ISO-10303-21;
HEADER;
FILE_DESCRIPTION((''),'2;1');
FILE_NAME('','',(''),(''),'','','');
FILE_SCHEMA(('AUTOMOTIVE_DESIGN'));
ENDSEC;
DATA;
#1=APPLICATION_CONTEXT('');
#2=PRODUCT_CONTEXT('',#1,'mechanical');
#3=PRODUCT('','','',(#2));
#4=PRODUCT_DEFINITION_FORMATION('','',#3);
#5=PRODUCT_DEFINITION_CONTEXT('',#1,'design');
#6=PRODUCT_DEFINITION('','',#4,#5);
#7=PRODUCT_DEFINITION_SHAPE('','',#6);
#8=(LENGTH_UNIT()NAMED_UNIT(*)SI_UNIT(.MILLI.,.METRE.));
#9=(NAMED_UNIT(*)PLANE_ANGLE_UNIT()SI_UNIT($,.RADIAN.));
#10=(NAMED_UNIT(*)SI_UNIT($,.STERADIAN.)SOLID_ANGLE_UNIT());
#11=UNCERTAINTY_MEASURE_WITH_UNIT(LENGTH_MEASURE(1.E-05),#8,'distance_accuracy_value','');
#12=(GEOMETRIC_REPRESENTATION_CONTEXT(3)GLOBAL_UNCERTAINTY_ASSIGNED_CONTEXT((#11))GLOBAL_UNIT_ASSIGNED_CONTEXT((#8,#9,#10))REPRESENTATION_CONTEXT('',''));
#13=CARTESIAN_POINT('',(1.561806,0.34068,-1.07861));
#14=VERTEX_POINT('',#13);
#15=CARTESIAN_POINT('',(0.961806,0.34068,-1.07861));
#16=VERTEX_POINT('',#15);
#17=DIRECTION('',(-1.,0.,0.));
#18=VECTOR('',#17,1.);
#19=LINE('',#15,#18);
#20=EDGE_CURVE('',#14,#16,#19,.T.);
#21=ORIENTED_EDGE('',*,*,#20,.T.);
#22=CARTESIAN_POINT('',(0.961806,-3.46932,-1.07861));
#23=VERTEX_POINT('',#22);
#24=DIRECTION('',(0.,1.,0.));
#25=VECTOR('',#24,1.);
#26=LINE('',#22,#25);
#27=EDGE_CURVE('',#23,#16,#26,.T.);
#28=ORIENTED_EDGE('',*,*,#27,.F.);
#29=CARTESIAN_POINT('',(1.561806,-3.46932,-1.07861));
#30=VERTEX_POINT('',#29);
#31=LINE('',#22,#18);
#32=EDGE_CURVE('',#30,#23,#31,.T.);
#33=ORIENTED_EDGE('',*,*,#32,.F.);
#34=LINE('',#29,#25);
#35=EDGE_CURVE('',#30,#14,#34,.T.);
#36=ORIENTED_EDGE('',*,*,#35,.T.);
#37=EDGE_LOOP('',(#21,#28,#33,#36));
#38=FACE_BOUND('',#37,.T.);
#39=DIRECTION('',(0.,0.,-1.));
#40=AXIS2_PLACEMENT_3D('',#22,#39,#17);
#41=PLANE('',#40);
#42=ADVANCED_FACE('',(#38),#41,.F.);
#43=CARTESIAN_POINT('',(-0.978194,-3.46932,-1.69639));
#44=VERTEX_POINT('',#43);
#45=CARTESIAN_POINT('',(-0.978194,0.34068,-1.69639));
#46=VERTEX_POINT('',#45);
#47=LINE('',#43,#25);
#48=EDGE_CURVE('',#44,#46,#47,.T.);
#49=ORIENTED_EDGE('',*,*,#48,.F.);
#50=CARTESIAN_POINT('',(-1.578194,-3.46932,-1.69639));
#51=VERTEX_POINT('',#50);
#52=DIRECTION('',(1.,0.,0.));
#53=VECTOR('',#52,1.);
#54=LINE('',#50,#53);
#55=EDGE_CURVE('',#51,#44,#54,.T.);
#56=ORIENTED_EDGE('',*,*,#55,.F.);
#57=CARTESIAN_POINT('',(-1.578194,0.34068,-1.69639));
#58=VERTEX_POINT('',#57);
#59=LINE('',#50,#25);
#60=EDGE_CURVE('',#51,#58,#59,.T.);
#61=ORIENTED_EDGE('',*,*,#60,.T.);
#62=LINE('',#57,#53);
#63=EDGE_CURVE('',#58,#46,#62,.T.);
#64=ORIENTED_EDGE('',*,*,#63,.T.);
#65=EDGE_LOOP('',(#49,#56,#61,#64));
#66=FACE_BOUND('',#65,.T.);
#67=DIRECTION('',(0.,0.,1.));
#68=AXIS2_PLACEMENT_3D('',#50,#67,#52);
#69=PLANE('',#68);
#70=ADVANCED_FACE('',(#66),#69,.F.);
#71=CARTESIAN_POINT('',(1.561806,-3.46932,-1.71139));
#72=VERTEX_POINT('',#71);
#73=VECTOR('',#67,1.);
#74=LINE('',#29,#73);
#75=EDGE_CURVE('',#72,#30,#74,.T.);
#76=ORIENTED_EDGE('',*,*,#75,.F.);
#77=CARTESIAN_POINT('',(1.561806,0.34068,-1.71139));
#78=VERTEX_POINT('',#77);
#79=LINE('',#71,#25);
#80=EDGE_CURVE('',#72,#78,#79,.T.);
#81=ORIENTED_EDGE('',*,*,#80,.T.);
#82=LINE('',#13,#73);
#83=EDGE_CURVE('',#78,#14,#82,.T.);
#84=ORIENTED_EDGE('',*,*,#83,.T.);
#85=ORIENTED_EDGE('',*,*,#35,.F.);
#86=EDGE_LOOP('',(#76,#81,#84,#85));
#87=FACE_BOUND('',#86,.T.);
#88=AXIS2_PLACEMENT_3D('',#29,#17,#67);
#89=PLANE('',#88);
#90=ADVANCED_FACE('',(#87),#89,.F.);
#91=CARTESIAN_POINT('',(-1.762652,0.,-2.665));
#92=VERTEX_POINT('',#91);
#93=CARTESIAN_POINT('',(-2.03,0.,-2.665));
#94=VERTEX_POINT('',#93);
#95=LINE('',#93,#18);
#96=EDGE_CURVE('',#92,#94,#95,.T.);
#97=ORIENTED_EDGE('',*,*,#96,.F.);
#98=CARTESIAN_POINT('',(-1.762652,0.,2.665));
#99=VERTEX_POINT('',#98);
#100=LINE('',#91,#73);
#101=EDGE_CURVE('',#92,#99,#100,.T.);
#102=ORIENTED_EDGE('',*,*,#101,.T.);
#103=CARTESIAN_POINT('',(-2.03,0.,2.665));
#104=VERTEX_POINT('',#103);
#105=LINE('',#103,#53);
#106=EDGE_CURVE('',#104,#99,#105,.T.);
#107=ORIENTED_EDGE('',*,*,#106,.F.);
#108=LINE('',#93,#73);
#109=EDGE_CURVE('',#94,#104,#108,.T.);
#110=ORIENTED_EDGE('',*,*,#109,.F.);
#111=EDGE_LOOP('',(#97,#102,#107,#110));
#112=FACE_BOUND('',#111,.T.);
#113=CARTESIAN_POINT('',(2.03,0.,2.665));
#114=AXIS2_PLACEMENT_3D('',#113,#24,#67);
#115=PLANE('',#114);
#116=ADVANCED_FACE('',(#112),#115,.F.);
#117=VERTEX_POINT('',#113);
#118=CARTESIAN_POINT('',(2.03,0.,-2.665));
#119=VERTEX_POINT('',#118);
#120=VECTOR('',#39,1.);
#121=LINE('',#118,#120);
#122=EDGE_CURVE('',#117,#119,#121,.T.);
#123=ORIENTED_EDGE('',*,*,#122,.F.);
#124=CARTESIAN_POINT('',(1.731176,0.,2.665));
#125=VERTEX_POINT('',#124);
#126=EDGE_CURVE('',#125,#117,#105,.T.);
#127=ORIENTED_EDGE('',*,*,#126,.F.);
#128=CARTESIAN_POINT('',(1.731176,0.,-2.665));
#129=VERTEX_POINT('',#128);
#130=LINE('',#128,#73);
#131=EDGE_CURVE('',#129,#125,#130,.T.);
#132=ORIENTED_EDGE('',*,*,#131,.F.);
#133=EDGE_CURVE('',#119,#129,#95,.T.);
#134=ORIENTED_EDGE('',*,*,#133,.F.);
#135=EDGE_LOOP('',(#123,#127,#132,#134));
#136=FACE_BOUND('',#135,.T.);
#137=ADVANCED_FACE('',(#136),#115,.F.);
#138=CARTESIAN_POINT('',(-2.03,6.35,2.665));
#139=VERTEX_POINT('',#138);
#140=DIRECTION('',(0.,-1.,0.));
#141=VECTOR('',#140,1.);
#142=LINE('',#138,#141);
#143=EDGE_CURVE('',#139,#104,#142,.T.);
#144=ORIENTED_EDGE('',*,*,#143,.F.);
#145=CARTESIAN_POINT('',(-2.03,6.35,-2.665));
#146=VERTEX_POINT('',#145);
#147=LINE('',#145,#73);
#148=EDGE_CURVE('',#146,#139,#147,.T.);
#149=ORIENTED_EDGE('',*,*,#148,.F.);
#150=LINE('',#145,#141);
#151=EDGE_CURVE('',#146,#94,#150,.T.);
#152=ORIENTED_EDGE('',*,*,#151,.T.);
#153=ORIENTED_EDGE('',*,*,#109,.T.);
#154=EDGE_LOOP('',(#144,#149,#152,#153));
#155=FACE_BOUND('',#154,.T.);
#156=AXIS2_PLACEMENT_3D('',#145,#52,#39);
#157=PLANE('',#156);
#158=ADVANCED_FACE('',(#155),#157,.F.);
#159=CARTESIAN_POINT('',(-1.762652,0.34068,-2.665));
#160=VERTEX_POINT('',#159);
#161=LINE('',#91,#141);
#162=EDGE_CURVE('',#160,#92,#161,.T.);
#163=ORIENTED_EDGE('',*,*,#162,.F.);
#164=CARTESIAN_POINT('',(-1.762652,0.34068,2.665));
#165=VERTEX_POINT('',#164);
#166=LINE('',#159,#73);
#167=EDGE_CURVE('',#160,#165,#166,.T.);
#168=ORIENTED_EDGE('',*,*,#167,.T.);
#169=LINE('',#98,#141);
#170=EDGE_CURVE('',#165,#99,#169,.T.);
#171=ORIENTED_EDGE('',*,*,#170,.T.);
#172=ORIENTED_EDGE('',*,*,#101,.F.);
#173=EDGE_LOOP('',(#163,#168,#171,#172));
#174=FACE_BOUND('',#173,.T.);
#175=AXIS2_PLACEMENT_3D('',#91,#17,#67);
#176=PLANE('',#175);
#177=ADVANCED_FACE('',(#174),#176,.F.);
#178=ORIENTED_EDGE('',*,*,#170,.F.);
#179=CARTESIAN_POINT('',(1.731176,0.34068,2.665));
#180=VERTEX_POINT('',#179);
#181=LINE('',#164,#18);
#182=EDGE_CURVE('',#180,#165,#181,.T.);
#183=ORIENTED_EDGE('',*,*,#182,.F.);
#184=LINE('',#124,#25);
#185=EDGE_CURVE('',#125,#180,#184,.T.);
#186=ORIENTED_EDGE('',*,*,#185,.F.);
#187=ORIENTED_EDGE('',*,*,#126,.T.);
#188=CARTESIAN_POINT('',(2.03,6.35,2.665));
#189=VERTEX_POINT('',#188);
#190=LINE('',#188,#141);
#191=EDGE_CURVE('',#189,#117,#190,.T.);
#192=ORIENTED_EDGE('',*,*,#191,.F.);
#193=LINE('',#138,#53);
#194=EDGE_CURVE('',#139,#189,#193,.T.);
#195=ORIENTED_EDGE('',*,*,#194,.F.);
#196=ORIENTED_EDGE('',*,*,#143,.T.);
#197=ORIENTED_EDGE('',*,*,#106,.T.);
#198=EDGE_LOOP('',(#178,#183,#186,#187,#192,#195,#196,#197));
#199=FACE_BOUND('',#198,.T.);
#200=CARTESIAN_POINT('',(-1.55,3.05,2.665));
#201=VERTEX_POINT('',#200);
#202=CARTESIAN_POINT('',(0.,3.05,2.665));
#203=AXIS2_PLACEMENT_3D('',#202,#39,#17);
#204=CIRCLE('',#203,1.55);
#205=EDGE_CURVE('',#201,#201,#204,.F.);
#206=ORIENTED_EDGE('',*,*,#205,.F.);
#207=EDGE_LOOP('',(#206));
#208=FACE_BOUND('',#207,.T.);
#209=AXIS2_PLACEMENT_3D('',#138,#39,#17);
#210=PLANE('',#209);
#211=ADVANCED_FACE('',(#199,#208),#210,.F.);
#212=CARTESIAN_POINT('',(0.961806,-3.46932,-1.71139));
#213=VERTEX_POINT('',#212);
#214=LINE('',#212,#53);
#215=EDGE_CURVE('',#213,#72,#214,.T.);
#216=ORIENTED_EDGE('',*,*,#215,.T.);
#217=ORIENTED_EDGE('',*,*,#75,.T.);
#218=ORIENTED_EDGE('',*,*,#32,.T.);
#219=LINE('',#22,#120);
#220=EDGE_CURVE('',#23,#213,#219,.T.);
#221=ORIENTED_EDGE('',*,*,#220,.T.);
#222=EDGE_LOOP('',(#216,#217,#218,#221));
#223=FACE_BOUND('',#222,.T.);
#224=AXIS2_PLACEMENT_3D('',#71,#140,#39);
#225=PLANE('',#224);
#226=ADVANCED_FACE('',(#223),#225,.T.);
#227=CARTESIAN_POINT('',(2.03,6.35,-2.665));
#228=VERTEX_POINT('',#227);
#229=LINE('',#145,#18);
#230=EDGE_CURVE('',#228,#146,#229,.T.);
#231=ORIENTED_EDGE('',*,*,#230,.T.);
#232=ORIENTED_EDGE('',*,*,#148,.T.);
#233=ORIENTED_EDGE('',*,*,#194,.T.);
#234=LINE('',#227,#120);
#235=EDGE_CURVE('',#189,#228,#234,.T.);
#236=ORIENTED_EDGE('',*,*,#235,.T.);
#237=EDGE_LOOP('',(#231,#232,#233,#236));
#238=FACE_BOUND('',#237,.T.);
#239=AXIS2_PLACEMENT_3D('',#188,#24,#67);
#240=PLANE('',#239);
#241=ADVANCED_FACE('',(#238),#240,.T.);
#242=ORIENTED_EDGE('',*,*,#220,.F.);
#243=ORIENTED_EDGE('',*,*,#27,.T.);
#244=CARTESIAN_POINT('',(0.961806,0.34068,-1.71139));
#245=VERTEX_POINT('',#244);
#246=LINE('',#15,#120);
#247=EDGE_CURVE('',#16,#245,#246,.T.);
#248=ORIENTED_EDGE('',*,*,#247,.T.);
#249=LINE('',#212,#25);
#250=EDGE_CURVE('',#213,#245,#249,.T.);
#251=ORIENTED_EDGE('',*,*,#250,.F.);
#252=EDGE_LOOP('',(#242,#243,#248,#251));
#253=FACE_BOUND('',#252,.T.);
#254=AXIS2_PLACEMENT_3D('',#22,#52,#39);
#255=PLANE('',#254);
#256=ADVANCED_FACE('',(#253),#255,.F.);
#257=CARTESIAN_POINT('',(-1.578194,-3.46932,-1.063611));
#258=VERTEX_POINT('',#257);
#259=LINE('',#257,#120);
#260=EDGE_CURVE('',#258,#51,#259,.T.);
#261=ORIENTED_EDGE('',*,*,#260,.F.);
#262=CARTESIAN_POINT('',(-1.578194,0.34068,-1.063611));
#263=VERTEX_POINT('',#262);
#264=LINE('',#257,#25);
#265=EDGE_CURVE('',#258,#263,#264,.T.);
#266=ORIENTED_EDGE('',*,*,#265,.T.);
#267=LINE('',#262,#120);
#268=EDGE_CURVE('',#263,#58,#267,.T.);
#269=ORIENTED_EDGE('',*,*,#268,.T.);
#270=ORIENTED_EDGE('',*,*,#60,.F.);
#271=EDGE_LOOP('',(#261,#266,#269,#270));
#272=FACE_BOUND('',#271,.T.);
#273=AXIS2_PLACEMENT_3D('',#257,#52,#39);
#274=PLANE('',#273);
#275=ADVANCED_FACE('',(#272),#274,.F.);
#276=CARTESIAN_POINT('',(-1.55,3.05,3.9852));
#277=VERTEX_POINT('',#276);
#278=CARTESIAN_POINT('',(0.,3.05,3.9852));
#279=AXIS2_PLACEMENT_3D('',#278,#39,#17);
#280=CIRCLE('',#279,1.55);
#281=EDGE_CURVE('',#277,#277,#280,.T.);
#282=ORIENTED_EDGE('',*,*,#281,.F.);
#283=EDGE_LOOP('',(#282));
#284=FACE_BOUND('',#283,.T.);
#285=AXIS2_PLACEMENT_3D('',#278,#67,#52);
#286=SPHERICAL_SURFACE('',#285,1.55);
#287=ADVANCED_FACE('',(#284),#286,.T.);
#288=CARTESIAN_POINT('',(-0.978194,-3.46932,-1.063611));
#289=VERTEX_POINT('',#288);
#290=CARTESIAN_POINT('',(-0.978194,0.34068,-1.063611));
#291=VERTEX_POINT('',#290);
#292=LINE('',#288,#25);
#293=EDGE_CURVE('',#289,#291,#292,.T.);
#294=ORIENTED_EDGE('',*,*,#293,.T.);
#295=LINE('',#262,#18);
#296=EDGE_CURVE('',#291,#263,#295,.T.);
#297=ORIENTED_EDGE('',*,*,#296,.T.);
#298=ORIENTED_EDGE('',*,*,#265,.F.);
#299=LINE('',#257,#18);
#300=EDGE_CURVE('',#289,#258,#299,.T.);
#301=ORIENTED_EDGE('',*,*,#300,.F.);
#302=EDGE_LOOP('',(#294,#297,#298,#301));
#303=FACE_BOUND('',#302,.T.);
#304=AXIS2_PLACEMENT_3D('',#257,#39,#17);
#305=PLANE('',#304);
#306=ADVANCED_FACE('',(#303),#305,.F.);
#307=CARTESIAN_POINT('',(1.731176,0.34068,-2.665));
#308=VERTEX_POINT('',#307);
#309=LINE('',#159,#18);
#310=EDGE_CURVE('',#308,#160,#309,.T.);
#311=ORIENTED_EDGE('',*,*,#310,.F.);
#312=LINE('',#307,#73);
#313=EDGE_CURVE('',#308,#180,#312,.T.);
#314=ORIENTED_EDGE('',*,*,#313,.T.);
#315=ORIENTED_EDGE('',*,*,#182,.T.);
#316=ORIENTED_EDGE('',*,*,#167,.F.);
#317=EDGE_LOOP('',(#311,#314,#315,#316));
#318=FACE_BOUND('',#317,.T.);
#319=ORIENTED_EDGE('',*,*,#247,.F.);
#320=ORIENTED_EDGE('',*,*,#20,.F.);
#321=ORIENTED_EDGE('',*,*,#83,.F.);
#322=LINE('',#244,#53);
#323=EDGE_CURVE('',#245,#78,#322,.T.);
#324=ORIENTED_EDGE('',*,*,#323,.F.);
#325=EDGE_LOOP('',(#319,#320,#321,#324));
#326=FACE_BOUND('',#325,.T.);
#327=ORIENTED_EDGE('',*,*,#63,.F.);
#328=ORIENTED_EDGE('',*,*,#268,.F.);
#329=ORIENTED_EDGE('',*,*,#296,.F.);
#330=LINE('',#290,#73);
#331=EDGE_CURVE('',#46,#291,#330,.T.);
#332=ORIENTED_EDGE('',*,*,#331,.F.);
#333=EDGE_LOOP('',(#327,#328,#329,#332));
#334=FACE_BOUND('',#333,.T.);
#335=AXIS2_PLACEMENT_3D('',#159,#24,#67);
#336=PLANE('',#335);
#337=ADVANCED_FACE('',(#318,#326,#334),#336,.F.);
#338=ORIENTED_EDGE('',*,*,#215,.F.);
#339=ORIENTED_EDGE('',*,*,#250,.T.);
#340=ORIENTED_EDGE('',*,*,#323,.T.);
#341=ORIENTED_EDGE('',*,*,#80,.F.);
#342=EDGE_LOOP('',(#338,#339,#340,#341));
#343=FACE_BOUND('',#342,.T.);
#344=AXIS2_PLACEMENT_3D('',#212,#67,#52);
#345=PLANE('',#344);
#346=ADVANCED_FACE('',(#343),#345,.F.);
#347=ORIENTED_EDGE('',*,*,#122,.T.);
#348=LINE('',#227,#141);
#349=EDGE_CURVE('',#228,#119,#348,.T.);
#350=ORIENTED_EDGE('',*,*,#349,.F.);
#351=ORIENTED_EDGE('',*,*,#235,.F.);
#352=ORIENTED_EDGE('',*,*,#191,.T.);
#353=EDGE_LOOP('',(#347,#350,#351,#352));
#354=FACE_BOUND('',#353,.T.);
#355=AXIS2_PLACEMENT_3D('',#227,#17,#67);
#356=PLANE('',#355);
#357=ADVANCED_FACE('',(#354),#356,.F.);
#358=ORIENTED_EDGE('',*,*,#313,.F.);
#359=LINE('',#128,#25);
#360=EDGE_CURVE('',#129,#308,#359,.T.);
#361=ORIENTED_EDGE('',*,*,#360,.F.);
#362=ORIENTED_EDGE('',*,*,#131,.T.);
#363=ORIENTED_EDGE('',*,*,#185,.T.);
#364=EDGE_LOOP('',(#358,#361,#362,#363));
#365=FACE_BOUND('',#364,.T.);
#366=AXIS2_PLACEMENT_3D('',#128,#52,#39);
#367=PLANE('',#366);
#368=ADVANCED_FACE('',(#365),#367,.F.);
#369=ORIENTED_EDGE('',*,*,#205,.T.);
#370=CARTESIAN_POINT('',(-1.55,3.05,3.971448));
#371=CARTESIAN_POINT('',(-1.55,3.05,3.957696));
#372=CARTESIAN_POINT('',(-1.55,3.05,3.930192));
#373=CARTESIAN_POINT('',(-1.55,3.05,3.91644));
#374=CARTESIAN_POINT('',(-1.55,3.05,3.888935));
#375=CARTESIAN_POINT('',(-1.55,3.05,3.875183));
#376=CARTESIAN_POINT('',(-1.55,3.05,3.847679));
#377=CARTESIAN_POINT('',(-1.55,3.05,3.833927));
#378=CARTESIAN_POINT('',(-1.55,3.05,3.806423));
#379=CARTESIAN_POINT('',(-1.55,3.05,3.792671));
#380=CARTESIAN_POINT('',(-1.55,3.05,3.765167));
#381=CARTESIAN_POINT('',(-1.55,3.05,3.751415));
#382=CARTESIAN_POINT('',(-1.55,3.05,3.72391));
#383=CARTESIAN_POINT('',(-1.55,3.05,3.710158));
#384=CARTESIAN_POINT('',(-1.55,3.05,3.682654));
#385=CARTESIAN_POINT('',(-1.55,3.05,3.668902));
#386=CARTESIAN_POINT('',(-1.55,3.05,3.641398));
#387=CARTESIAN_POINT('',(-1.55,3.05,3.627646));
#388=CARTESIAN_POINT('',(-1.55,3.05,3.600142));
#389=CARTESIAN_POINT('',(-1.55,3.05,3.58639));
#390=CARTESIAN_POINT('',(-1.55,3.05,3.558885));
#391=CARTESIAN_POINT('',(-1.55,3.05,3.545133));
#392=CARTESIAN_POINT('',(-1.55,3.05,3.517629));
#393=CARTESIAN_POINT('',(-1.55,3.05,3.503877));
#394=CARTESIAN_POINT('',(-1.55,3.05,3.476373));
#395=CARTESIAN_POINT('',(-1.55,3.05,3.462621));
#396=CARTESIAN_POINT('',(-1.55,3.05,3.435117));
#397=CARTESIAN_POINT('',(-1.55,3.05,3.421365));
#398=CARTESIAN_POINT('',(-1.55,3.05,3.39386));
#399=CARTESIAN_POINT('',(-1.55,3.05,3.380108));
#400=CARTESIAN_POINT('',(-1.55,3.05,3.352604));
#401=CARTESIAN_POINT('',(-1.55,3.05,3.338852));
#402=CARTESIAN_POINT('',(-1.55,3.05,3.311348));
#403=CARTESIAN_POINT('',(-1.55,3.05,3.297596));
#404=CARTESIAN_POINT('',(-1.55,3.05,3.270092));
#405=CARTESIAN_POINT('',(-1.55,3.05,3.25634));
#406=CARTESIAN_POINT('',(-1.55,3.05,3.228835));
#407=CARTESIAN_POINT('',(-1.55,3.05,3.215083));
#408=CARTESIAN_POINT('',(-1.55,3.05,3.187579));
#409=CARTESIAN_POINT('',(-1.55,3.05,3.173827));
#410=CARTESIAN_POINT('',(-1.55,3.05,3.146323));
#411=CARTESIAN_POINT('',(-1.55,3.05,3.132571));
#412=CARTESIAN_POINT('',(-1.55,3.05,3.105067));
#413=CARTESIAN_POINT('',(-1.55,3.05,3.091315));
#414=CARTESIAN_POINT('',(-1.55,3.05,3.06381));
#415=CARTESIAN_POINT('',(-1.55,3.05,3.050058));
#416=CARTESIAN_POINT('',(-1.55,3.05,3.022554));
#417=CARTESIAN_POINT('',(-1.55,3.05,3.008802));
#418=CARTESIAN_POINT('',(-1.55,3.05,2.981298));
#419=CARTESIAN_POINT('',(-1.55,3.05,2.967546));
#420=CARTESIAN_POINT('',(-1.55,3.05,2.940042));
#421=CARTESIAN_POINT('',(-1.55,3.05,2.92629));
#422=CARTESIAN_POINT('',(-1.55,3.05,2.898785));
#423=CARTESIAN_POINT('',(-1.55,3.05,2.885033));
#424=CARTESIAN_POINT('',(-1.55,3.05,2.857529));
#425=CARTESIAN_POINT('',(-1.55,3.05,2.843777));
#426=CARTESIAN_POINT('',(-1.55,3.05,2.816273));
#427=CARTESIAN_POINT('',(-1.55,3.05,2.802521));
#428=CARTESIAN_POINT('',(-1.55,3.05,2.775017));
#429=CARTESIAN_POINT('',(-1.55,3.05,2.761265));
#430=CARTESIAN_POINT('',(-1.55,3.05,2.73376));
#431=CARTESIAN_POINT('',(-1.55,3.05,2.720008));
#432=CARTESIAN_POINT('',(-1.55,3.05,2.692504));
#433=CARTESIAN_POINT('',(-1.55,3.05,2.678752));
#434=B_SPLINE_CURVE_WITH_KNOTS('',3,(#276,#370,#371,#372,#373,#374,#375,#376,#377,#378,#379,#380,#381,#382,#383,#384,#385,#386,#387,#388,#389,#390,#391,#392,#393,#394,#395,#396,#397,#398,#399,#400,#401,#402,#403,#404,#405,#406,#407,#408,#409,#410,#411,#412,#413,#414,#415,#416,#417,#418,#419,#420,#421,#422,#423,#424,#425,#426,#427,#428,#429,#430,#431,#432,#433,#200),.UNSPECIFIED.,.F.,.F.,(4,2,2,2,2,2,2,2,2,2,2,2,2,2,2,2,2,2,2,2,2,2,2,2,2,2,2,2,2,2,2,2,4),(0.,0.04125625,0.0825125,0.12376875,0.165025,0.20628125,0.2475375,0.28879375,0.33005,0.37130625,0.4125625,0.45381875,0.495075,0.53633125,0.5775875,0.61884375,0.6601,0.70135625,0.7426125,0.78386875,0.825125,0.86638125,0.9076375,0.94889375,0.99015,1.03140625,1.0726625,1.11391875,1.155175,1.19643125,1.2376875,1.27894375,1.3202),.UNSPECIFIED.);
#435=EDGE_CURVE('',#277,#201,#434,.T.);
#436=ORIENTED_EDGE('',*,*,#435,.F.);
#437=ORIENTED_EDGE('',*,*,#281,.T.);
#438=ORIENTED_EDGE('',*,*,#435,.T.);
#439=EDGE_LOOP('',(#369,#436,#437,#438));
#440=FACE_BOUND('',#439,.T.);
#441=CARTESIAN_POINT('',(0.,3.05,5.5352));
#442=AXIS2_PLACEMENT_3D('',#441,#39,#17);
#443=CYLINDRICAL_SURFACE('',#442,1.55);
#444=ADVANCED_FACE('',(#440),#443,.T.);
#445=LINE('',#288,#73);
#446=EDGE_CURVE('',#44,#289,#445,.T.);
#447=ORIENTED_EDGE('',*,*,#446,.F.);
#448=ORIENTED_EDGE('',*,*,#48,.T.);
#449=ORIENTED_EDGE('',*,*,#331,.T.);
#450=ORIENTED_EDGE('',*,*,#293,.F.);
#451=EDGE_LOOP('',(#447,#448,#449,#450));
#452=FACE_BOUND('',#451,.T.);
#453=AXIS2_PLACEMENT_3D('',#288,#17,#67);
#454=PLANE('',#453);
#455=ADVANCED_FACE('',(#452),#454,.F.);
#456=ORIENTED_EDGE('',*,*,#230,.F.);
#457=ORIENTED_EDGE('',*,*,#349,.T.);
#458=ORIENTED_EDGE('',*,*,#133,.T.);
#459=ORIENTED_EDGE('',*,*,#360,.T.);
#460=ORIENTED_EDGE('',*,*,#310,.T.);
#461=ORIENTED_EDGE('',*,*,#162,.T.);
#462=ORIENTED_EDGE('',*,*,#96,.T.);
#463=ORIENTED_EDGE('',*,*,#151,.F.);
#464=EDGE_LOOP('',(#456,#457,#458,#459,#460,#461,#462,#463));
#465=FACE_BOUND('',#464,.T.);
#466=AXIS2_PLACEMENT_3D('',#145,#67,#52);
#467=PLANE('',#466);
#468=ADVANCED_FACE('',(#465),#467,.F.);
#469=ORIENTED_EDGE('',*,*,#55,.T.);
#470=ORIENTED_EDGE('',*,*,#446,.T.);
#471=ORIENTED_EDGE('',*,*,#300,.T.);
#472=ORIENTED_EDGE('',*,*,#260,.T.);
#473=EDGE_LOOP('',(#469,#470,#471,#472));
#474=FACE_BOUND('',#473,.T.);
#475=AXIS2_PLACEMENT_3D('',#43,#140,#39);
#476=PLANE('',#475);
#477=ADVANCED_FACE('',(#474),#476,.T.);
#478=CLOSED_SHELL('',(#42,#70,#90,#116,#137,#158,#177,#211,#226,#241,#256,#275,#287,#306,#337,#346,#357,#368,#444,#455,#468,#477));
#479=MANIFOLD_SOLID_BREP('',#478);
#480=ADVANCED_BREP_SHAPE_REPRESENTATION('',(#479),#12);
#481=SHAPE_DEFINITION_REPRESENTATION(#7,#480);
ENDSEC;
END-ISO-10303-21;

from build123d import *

# Parameters (mm, degrees)
SKETCH1_W           = 4.06
SKETCH1_H           = 5.33
BOSS_EXTRUDE1_DEPTH = 6.35
SKETCH2_R           = 1.55
BOSS_EXTRUDE2_DEPTH = 2.8702
FILLET2_R           = 1.55
SKETCH4_W           = 3.493828458
SKETCH4_H           = 0.340679683
CUT_EXTRUDE1_DEPTH  = 9.53535588
SKETCH6_W           = 0.6
SKETCH6_H           = 0.632779055
SKETCH6_H_2         = 0.632779056
BOSS_EXTRUDE5_DEPTH = 3.81


with BuildPart() as part:
    # Sketch1 → Boss-Extrude1 (new body)
    with BuildSketch(Plane(origin=(0, 0, 0), x_dir=(1, 0, 0), z_dir=(0, 1, 0))):
        Rectangle(SKETCH1_W, SKETCH1_H)
    extrude(amount=BOSS_EXTRUDE1_DEPTH)

    # Sketch2 → Boss-Extrude2 (add)
    with BuildSketch(Plane.XY.offset(2.665)):
        with Locations(Location((0, 3.05, 0), (0, 0, 180))):
            Circle(SKETCH2_R)
    extrude(amount=BOSS_EXTRUDE2_DEPTH)

    # Fillet2
    fillet2_edges = [part.edges().sort_by_distance(p)[0] for p in [
        (1.55, 3.05, 5.5352),
    ]]
    fillet(fillet2_edges, radius=FILLET2_R)

    # Sketch4 → Cut-Extrude1 (cut, through all)
    with BuildSketch(Plane.XY.offset(2.665)):
        with Locations((-0.015737966, 0.170339842)):
            Rectangle(SKETCH4_W, SKETCH4_H)
    extrude(amount=-CUT_EXTRUDE1_DEPTH, mode=Mode.SUBTRACT)

    # Sketch6 → Boss-Extrude5 (add)
    with BuildSketch(Plane.XZ.offset(-0.340679683)):
        with Locations((-1.278193782, -1.380000213)):
            Rectangle(SKETCH6_W, SKETCH6_H)
        with Locations((1.261806218, -1.395)):
            Rectangle(SKETCH6_W, SKETCH6_H_2)
    extrude(amount=BOSS_EXTRUDE5_DEPTH)


solid = part.part
